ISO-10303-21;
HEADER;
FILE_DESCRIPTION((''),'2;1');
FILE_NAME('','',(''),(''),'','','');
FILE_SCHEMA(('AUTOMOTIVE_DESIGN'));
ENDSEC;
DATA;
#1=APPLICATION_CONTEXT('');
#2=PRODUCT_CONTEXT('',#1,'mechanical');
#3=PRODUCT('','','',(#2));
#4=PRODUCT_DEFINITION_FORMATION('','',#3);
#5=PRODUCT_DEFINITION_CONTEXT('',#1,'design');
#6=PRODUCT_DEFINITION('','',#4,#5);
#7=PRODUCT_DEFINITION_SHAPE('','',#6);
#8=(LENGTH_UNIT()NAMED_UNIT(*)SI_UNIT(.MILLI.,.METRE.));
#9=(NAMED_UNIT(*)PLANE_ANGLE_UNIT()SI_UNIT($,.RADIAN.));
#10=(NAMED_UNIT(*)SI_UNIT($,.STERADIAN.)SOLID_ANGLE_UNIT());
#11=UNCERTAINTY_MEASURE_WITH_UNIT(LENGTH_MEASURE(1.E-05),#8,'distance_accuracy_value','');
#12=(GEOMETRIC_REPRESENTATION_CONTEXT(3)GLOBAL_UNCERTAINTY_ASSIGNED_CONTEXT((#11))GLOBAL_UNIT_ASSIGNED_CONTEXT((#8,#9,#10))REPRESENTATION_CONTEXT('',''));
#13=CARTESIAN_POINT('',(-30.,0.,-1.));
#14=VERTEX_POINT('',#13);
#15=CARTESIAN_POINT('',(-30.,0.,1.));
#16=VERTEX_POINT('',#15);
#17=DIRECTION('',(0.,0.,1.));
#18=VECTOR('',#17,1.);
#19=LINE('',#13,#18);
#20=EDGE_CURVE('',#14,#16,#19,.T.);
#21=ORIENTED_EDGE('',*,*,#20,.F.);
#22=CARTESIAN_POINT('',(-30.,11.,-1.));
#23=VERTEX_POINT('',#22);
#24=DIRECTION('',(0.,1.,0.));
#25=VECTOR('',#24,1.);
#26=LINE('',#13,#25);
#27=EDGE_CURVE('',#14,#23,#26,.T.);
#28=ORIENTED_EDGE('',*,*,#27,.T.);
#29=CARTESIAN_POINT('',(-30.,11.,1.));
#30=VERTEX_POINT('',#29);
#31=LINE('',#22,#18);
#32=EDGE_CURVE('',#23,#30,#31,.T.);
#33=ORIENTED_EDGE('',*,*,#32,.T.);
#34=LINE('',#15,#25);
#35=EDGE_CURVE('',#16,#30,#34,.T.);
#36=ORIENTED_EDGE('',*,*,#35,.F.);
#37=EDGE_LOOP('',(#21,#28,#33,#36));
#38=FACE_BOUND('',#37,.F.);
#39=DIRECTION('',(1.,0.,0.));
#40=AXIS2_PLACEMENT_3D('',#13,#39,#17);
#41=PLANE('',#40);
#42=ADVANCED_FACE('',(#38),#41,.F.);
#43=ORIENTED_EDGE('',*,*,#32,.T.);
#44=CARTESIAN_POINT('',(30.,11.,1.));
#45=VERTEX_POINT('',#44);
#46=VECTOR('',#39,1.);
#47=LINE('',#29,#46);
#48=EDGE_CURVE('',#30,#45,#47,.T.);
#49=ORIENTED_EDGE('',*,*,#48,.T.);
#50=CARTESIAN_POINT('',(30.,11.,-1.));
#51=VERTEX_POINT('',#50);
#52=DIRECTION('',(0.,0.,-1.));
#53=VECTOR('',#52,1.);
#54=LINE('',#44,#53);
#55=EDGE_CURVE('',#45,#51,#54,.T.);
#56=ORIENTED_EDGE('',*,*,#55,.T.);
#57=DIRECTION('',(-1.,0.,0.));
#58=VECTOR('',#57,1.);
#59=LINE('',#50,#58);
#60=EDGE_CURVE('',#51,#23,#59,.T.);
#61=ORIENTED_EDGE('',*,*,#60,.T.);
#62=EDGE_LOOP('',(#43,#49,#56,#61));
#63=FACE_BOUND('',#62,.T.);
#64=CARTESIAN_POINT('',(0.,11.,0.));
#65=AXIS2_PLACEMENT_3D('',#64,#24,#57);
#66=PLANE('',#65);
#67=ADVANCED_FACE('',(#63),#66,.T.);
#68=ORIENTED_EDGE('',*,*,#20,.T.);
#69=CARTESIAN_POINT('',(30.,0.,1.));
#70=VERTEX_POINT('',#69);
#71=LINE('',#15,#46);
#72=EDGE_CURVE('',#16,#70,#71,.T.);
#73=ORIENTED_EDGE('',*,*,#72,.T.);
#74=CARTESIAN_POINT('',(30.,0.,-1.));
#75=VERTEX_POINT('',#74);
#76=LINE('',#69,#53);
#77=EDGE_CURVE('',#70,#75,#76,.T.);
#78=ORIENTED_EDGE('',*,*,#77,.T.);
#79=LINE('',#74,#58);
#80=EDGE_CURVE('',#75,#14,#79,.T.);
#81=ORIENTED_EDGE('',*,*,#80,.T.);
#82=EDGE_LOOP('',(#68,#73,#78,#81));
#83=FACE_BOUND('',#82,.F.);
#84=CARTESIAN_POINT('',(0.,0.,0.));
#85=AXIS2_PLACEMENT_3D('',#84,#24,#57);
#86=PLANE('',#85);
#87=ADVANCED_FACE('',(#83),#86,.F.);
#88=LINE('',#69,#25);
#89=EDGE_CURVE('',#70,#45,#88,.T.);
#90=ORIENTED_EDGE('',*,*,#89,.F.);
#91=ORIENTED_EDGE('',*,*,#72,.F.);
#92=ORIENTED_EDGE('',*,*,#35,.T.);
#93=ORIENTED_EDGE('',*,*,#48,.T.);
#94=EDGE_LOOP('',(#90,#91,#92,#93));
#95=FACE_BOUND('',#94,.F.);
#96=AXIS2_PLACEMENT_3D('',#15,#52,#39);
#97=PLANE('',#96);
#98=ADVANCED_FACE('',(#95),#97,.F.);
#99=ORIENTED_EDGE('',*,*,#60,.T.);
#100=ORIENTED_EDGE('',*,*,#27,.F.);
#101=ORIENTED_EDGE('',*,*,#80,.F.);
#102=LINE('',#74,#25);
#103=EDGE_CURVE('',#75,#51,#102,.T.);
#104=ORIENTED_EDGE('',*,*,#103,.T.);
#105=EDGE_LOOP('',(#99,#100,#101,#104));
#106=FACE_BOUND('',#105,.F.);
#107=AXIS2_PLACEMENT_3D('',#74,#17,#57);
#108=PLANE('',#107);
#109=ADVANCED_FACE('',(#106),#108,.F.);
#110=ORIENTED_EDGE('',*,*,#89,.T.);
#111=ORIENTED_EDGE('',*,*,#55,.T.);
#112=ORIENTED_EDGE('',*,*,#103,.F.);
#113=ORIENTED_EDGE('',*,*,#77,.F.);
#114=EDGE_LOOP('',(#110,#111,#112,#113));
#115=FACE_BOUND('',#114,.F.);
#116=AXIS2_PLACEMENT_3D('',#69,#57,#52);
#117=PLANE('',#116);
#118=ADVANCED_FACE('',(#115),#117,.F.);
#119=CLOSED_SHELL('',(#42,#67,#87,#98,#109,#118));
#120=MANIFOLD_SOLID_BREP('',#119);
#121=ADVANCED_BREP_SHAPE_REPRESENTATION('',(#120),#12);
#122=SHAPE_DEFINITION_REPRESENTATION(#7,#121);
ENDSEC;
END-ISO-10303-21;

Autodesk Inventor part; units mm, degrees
ref_plane "YZ Plane" through (0, 0, 0) normal (1, 0, 0) x (0, 1, 0)
ref_plane "XZ Plane" through (0, 0, 0) normal (0, 1, 0) x (-1, 0, 0)
ref_plane "XY Plane" through (0, 0, 0) normal (0, 0, 1) x (1, 0, 0)
sketch "Skizze1" plane through (0, 0, 0) normal (0, 1, 0) x (-1, 0, 0)
  line L0 (-30, -1) -> (30, -1)
  line L1 (30, -1) -> (30, 1)
  line L2 (30, 1) -> (-30, 1)
  line L3 (-30, 1) -> (-30, -1)
  line L4 (-30, -1) -> (30, 1) construction
  line L5 (30, -1) -> (-30, 1) construction
  point P0 (0, 0)
  dimension "d0" = 2
  dimension "d3" = 60
extrude "Extrusion1" add sketch "Skizze1" along normal blind 11
properties part number "P_Spacer_Dummy"
